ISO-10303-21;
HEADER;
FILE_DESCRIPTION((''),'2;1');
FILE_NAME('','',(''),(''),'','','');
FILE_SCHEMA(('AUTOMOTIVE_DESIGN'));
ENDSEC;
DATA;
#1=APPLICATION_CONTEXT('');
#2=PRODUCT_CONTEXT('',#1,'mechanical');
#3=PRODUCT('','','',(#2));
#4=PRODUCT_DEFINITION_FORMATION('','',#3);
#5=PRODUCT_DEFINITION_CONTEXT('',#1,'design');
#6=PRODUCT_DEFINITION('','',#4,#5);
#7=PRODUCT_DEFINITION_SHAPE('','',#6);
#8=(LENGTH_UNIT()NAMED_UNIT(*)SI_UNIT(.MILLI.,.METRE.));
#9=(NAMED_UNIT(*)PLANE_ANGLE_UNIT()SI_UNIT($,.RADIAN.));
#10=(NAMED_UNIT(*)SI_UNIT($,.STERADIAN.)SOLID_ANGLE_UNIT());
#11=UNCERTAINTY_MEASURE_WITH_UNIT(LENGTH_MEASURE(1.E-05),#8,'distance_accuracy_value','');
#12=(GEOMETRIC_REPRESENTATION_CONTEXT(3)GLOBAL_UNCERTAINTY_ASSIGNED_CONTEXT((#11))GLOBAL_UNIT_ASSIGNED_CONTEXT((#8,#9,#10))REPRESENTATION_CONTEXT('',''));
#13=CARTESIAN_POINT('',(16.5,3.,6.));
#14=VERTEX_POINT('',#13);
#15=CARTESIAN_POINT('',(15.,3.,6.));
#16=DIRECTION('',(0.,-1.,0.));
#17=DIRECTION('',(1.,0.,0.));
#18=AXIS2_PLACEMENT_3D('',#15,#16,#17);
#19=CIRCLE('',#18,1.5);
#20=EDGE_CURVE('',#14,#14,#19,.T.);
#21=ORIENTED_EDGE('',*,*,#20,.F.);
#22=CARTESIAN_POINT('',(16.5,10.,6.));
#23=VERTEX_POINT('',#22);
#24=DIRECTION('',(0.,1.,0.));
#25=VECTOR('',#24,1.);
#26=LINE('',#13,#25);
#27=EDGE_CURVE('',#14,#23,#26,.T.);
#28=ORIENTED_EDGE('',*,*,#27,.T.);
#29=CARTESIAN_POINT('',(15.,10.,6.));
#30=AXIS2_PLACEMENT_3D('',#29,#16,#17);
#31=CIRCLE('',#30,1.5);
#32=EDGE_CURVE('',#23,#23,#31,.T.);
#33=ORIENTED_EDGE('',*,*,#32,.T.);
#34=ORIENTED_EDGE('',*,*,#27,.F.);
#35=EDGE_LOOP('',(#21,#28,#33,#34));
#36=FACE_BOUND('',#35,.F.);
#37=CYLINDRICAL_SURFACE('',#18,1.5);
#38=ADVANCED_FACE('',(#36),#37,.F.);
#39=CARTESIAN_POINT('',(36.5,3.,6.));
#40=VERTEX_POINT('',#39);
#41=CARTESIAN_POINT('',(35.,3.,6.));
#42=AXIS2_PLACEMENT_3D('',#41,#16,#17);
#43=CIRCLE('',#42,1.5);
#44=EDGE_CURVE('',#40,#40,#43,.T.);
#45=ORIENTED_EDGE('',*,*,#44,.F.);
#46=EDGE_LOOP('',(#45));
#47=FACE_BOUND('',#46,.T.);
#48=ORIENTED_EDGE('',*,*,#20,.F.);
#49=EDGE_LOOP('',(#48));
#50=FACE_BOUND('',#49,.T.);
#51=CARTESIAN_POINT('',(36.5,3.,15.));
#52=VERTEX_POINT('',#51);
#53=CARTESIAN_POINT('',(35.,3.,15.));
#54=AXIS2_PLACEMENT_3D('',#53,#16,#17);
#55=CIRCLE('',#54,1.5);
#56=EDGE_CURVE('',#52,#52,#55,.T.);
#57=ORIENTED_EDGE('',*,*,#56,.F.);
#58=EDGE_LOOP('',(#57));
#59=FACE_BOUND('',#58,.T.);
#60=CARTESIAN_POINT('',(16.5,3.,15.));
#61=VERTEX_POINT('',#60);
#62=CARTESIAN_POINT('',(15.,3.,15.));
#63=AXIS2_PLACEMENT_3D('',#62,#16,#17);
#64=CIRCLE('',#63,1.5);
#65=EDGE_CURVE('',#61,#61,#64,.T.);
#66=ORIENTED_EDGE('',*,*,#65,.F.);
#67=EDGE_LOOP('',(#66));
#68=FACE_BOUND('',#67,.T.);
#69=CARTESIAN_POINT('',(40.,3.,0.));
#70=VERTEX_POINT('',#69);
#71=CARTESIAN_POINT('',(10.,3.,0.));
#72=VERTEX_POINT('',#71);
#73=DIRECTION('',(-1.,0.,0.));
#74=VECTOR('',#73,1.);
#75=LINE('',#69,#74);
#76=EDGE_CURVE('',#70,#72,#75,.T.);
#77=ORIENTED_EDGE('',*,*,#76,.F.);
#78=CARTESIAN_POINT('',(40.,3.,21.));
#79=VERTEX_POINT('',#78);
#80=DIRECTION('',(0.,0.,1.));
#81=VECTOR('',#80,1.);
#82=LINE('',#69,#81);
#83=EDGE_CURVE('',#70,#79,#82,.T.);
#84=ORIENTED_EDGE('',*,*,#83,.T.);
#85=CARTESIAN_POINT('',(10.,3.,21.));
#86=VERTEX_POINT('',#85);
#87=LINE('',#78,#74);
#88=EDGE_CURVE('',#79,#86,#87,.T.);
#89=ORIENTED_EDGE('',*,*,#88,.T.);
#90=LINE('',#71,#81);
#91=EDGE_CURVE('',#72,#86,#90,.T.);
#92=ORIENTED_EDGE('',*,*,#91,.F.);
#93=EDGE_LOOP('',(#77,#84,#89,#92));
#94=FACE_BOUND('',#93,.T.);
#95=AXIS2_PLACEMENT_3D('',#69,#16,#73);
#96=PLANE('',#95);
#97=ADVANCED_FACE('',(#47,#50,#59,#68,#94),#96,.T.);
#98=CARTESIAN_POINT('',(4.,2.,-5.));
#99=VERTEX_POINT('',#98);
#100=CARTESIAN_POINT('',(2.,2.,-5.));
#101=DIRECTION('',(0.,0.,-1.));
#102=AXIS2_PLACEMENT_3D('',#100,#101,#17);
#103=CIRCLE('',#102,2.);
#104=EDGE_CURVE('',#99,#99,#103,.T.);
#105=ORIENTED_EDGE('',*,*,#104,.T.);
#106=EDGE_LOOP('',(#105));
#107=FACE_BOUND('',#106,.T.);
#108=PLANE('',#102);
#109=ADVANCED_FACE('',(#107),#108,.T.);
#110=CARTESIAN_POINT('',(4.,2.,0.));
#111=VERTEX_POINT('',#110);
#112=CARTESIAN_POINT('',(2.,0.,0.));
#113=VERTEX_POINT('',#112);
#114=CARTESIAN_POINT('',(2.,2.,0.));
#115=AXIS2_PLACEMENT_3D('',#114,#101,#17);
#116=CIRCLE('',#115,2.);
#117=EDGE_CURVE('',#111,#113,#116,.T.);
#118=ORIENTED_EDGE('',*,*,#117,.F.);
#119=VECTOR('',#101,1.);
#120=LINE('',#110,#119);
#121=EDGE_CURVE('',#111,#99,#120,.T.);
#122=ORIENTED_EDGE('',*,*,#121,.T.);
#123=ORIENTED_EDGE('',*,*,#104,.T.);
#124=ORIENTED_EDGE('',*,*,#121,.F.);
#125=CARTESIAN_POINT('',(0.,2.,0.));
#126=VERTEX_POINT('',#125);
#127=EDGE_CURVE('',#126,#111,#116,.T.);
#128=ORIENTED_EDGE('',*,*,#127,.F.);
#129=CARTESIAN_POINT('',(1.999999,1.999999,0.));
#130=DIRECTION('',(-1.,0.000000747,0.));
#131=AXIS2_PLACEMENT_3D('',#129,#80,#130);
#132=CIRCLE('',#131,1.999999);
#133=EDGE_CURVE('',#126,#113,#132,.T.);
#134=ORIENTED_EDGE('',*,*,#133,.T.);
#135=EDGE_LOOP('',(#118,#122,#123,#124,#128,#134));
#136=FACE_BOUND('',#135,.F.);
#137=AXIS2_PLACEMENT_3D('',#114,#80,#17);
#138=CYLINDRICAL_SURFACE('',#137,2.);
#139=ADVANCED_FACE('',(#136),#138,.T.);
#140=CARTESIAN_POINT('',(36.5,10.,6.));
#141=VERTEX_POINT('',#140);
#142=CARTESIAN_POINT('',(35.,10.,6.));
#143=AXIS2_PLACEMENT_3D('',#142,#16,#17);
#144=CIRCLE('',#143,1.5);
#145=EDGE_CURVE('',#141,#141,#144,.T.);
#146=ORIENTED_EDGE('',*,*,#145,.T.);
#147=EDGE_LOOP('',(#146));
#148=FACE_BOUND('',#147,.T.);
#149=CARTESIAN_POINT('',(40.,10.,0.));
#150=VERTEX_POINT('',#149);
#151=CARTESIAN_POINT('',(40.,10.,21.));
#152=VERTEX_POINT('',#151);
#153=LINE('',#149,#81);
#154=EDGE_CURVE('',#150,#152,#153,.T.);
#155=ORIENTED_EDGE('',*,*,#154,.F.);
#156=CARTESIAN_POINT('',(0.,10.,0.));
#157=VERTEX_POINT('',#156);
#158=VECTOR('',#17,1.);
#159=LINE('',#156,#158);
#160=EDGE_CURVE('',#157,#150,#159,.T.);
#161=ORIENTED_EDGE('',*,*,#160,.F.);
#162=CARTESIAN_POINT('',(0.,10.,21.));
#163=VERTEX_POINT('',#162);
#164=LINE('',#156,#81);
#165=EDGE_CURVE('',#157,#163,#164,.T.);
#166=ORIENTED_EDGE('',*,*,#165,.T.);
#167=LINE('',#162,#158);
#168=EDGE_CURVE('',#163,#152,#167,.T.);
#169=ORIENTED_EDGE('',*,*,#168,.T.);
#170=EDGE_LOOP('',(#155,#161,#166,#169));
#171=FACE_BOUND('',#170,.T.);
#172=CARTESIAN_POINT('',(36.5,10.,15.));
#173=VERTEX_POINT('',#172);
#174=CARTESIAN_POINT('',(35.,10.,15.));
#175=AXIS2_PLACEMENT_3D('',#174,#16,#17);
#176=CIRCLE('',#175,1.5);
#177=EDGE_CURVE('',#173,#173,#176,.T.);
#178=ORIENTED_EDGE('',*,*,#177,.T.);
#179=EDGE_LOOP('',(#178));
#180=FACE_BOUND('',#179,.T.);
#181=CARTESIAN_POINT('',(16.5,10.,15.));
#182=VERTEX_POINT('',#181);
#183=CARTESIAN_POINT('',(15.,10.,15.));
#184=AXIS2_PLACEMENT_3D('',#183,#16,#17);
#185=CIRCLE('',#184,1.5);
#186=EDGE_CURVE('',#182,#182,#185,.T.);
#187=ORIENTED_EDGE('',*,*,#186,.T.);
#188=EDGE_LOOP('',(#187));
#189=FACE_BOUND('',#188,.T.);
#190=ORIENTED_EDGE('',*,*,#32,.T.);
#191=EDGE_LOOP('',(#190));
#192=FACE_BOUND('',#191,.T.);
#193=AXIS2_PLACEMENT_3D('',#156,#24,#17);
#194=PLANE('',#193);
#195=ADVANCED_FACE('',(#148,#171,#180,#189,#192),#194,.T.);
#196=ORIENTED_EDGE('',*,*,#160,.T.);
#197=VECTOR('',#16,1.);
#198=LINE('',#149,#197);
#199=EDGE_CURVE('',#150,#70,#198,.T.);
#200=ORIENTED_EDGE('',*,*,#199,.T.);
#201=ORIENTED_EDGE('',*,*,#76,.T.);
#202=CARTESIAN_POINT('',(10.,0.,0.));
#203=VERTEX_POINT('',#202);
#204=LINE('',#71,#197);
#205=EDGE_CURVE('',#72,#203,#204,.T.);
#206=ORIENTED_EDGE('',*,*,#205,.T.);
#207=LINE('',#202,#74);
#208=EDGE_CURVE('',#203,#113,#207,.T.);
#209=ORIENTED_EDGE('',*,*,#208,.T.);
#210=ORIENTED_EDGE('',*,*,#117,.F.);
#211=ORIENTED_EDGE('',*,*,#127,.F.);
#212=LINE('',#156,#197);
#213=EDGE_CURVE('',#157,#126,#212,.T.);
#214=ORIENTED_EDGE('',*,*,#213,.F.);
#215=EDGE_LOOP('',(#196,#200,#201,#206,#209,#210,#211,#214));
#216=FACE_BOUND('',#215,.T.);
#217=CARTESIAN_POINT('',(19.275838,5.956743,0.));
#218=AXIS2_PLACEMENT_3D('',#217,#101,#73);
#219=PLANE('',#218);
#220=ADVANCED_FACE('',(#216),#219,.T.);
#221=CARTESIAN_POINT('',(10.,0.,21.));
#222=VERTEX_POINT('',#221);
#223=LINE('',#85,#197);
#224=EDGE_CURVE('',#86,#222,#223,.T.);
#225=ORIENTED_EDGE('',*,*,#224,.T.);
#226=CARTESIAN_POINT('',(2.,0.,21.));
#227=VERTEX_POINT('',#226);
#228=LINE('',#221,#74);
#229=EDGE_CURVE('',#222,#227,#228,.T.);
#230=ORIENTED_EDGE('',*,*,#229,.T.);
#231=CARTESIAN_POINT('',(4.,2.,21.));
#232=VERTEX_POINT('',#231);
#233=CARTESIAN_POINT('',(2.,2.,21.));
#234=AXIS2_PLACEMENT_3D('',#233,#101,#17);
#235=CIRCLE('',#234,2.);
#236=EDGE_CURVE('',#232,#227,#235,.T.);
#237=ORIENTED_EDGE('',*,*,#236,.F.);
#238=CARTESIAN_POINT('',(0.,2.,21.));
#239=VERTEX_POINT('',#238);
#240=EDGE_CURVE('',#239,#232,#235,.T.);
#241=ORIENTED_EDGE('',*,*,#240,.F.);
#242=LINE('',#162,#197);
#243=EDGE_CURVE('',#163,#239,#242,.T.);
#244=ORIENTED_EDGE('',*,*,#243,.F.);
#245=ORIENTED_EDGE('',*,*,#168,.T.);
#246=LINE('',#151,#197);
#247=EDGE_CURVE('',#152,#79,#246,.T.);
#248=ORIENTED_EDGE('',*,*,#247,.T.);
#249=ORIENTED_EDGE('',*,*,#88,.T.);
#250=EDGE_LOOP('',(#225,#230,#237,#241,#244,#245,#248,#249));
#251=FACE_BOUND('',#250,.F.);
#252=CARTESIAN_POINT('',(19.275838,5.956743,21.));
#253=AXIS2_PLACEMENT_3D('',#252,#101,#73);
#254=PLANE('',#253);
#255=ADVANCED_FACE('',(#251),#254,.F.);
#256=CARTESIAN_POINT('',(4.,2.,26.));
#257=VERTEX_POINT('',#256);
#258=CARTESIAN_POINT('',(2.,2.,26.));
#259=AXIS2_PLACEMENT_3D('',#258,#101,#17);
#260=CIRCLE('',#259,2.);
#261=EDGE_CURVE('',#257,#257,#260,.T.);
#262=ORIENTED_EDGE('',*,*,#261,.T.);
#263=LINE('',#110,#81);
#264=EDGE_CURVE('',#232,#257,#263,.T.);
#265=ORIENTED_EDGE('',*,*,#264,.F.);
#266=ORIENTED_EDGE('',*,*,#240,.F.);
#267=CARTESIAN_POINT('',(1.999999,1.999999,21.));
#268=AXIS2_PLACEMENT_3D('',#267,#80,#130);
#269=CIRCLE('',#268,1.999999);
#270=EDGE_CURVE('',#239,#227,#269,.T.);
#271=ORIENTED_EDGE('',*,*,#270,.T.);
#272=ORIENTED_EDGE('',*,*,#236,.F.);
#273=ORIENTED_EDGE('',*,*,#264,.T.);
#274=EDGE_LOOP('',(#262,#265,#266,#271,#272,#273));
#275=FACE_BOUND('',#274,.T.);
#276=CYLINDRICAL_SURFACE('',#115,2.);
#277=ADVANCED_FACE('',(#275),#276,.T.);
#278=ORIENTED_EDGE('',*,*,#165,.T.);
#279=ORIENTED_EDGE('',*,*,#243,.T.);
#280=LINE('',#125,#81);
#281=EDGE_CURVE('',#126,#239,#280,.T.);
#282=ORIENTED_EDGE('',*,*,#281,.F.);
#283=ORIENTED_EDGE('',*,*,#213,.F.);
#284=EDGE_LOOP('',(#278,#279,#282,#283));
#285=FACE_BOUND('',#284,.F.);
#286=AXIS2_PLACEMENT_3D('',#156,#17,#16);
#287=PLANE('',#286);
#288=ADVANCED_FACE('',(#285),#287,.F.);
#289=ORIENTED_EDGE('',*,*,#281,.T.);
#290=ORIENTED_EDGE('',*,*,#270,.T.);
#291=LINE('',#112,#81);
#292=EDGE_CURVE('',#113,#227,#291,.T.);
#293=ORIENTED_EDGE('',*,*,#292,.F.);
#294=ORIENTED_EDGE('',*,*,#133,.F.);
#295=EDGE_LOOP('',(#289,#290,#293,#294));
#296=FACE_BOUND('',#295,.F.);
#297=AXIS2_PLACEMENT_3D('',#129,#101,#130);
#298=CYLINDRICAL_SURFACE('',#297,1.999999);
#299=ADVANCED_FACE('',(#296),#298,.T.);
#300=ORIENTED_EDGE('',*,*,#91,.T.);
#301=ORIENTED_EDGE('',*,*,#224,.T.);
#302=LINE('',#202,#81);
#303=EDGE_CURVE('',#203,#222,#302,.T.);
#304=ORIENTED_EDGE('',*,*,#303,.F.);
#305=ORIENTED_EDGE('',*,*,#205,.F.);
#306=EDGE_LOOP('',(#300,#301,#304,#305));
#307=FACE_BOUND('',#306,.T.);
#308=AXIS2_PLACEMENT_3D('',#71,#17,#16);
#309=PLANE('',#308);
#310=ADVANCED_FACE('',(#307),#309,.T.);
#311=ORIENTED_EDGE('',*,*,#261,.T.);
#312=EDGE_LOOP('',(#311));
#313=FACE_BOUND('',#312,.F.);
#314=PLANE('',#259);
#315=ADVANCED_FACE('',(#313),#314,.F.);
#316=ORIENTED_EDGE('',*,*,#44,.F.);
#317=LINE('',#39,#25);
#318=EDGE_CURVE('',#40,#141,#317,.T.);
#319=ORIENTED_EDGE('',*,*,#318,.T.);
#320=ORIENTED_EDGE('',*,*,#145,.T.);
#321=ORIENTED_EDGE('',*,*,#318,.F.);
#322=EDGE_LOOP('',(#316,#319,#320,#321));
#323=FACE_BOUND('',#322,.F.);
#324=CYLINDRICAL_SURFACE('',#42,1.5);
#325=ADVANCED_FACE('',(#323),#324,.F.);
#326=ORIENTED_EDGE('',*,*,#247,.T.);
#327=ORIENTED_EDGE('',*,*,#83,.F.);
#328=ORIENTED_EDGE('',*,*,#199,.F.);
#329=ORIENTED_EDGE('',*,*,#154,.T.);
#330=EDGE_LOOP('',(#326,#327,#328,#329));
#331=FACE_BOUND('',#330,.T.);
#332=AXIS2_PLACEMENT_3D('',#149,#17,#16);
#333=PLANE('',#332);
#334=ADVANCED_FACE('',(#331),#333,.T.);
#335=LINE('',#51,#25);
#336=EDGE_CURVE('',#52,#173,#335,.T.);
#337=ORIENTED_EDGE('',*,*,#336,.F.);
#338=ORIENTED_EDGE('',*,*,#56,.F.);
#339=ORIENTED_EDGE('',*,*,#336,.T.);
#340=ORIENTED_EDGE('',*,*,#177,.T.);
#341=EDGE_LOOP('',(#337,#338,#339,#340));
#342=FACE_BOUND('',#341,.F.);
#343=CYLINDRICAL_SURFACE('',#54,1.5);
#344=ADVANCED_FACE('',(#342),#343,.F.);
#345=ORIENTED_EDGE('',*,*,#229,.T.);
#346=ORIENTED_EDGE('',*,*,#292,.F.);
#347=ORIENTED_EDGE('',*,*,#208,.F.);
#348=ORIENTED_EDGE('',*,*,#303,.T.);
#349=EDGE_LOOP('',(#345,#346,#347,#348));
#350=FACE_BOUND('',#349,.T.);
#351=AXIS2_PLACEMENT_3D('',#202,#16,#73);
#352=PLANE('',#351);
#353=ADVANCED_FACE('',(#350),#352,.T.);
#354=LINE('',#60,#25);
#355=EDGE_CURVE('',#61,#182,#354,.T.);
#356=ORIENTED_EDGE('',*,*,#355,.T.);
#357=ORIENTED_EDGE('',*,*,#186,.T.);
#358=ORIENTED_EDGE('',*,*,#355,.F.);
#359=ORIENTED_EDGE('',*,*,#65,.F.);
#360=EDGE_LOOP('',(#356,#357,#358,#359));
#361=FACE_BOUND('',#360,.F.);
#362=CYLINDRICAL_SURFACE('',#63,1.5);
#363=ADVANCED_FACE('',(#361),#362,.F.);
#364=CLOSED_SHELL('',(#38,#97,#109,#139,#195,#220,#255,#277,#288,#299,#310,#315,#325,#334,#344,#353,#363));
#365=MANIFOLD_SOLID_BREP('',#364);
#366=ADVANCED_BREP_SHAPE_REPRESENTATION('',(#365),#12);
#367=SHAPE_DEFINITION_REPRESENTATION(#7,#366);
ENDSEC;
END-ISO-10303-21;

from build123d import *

# Parameters (mm, degrees)
PAD_DEPTH         = 21
SKETCH001_R       = 2
PAD001_DEPTH      = 5
PAD001_DEPTH_BACK = 26
SKETCH002_R       = 1.5
POCKET_DEPTH      = 7.001


with BuildPart() as part:
    # Sketch → Pad (new body)
    with BuildSketch(Plane.XY):
        with BuildLine():
            Line((0, 10), (40, 10))
            Line((40, 10), (40, 3))
            Line((40, 3), (10, 3))
            Line((10, 3), (10, 0))
            Line((10, 0), (2, 0))
            ThreePointArc((0, 2), (0.585786, 0.585786), (2, 0))
            Line((0, 10), (0, 2))
        make_face()
    extrude(amount=PAD_DEPTH)

    # Sketch001 → Pad001 (new body, two sides)
    with BuildSketch(Plane(origin=(0, 0, 0), x_dir=(1, 0, 0), z_dir=(0, 0, -1))) as pad001_sk:
        with Locations((2, -2)):
            Circle(SKETCH001_R)
    extrude(amount=PAD001_DEPTH)
    extrude(pad001_sk.sketch, amount=-PAD001_DEPTH_BACK)

    # Sketch002 → Pocket (cut, through all)
    with BuildSketch(Plane.XZ.offset(-3)):
        with Locations((15, 15)):
            Circle(SKETCH002_R)
        with Locations((35, 15)):
            Circle(SKETCH002_R)
        with Locations((15, 6)):
            Circle(SKETCH002_R)
        with Locations((35, 6)):
            Circle(SKETCH002_R)
    extrude(amount=-POCKET_DEPTH, mode=Mode.SUBTRACT)


solid = part.part
